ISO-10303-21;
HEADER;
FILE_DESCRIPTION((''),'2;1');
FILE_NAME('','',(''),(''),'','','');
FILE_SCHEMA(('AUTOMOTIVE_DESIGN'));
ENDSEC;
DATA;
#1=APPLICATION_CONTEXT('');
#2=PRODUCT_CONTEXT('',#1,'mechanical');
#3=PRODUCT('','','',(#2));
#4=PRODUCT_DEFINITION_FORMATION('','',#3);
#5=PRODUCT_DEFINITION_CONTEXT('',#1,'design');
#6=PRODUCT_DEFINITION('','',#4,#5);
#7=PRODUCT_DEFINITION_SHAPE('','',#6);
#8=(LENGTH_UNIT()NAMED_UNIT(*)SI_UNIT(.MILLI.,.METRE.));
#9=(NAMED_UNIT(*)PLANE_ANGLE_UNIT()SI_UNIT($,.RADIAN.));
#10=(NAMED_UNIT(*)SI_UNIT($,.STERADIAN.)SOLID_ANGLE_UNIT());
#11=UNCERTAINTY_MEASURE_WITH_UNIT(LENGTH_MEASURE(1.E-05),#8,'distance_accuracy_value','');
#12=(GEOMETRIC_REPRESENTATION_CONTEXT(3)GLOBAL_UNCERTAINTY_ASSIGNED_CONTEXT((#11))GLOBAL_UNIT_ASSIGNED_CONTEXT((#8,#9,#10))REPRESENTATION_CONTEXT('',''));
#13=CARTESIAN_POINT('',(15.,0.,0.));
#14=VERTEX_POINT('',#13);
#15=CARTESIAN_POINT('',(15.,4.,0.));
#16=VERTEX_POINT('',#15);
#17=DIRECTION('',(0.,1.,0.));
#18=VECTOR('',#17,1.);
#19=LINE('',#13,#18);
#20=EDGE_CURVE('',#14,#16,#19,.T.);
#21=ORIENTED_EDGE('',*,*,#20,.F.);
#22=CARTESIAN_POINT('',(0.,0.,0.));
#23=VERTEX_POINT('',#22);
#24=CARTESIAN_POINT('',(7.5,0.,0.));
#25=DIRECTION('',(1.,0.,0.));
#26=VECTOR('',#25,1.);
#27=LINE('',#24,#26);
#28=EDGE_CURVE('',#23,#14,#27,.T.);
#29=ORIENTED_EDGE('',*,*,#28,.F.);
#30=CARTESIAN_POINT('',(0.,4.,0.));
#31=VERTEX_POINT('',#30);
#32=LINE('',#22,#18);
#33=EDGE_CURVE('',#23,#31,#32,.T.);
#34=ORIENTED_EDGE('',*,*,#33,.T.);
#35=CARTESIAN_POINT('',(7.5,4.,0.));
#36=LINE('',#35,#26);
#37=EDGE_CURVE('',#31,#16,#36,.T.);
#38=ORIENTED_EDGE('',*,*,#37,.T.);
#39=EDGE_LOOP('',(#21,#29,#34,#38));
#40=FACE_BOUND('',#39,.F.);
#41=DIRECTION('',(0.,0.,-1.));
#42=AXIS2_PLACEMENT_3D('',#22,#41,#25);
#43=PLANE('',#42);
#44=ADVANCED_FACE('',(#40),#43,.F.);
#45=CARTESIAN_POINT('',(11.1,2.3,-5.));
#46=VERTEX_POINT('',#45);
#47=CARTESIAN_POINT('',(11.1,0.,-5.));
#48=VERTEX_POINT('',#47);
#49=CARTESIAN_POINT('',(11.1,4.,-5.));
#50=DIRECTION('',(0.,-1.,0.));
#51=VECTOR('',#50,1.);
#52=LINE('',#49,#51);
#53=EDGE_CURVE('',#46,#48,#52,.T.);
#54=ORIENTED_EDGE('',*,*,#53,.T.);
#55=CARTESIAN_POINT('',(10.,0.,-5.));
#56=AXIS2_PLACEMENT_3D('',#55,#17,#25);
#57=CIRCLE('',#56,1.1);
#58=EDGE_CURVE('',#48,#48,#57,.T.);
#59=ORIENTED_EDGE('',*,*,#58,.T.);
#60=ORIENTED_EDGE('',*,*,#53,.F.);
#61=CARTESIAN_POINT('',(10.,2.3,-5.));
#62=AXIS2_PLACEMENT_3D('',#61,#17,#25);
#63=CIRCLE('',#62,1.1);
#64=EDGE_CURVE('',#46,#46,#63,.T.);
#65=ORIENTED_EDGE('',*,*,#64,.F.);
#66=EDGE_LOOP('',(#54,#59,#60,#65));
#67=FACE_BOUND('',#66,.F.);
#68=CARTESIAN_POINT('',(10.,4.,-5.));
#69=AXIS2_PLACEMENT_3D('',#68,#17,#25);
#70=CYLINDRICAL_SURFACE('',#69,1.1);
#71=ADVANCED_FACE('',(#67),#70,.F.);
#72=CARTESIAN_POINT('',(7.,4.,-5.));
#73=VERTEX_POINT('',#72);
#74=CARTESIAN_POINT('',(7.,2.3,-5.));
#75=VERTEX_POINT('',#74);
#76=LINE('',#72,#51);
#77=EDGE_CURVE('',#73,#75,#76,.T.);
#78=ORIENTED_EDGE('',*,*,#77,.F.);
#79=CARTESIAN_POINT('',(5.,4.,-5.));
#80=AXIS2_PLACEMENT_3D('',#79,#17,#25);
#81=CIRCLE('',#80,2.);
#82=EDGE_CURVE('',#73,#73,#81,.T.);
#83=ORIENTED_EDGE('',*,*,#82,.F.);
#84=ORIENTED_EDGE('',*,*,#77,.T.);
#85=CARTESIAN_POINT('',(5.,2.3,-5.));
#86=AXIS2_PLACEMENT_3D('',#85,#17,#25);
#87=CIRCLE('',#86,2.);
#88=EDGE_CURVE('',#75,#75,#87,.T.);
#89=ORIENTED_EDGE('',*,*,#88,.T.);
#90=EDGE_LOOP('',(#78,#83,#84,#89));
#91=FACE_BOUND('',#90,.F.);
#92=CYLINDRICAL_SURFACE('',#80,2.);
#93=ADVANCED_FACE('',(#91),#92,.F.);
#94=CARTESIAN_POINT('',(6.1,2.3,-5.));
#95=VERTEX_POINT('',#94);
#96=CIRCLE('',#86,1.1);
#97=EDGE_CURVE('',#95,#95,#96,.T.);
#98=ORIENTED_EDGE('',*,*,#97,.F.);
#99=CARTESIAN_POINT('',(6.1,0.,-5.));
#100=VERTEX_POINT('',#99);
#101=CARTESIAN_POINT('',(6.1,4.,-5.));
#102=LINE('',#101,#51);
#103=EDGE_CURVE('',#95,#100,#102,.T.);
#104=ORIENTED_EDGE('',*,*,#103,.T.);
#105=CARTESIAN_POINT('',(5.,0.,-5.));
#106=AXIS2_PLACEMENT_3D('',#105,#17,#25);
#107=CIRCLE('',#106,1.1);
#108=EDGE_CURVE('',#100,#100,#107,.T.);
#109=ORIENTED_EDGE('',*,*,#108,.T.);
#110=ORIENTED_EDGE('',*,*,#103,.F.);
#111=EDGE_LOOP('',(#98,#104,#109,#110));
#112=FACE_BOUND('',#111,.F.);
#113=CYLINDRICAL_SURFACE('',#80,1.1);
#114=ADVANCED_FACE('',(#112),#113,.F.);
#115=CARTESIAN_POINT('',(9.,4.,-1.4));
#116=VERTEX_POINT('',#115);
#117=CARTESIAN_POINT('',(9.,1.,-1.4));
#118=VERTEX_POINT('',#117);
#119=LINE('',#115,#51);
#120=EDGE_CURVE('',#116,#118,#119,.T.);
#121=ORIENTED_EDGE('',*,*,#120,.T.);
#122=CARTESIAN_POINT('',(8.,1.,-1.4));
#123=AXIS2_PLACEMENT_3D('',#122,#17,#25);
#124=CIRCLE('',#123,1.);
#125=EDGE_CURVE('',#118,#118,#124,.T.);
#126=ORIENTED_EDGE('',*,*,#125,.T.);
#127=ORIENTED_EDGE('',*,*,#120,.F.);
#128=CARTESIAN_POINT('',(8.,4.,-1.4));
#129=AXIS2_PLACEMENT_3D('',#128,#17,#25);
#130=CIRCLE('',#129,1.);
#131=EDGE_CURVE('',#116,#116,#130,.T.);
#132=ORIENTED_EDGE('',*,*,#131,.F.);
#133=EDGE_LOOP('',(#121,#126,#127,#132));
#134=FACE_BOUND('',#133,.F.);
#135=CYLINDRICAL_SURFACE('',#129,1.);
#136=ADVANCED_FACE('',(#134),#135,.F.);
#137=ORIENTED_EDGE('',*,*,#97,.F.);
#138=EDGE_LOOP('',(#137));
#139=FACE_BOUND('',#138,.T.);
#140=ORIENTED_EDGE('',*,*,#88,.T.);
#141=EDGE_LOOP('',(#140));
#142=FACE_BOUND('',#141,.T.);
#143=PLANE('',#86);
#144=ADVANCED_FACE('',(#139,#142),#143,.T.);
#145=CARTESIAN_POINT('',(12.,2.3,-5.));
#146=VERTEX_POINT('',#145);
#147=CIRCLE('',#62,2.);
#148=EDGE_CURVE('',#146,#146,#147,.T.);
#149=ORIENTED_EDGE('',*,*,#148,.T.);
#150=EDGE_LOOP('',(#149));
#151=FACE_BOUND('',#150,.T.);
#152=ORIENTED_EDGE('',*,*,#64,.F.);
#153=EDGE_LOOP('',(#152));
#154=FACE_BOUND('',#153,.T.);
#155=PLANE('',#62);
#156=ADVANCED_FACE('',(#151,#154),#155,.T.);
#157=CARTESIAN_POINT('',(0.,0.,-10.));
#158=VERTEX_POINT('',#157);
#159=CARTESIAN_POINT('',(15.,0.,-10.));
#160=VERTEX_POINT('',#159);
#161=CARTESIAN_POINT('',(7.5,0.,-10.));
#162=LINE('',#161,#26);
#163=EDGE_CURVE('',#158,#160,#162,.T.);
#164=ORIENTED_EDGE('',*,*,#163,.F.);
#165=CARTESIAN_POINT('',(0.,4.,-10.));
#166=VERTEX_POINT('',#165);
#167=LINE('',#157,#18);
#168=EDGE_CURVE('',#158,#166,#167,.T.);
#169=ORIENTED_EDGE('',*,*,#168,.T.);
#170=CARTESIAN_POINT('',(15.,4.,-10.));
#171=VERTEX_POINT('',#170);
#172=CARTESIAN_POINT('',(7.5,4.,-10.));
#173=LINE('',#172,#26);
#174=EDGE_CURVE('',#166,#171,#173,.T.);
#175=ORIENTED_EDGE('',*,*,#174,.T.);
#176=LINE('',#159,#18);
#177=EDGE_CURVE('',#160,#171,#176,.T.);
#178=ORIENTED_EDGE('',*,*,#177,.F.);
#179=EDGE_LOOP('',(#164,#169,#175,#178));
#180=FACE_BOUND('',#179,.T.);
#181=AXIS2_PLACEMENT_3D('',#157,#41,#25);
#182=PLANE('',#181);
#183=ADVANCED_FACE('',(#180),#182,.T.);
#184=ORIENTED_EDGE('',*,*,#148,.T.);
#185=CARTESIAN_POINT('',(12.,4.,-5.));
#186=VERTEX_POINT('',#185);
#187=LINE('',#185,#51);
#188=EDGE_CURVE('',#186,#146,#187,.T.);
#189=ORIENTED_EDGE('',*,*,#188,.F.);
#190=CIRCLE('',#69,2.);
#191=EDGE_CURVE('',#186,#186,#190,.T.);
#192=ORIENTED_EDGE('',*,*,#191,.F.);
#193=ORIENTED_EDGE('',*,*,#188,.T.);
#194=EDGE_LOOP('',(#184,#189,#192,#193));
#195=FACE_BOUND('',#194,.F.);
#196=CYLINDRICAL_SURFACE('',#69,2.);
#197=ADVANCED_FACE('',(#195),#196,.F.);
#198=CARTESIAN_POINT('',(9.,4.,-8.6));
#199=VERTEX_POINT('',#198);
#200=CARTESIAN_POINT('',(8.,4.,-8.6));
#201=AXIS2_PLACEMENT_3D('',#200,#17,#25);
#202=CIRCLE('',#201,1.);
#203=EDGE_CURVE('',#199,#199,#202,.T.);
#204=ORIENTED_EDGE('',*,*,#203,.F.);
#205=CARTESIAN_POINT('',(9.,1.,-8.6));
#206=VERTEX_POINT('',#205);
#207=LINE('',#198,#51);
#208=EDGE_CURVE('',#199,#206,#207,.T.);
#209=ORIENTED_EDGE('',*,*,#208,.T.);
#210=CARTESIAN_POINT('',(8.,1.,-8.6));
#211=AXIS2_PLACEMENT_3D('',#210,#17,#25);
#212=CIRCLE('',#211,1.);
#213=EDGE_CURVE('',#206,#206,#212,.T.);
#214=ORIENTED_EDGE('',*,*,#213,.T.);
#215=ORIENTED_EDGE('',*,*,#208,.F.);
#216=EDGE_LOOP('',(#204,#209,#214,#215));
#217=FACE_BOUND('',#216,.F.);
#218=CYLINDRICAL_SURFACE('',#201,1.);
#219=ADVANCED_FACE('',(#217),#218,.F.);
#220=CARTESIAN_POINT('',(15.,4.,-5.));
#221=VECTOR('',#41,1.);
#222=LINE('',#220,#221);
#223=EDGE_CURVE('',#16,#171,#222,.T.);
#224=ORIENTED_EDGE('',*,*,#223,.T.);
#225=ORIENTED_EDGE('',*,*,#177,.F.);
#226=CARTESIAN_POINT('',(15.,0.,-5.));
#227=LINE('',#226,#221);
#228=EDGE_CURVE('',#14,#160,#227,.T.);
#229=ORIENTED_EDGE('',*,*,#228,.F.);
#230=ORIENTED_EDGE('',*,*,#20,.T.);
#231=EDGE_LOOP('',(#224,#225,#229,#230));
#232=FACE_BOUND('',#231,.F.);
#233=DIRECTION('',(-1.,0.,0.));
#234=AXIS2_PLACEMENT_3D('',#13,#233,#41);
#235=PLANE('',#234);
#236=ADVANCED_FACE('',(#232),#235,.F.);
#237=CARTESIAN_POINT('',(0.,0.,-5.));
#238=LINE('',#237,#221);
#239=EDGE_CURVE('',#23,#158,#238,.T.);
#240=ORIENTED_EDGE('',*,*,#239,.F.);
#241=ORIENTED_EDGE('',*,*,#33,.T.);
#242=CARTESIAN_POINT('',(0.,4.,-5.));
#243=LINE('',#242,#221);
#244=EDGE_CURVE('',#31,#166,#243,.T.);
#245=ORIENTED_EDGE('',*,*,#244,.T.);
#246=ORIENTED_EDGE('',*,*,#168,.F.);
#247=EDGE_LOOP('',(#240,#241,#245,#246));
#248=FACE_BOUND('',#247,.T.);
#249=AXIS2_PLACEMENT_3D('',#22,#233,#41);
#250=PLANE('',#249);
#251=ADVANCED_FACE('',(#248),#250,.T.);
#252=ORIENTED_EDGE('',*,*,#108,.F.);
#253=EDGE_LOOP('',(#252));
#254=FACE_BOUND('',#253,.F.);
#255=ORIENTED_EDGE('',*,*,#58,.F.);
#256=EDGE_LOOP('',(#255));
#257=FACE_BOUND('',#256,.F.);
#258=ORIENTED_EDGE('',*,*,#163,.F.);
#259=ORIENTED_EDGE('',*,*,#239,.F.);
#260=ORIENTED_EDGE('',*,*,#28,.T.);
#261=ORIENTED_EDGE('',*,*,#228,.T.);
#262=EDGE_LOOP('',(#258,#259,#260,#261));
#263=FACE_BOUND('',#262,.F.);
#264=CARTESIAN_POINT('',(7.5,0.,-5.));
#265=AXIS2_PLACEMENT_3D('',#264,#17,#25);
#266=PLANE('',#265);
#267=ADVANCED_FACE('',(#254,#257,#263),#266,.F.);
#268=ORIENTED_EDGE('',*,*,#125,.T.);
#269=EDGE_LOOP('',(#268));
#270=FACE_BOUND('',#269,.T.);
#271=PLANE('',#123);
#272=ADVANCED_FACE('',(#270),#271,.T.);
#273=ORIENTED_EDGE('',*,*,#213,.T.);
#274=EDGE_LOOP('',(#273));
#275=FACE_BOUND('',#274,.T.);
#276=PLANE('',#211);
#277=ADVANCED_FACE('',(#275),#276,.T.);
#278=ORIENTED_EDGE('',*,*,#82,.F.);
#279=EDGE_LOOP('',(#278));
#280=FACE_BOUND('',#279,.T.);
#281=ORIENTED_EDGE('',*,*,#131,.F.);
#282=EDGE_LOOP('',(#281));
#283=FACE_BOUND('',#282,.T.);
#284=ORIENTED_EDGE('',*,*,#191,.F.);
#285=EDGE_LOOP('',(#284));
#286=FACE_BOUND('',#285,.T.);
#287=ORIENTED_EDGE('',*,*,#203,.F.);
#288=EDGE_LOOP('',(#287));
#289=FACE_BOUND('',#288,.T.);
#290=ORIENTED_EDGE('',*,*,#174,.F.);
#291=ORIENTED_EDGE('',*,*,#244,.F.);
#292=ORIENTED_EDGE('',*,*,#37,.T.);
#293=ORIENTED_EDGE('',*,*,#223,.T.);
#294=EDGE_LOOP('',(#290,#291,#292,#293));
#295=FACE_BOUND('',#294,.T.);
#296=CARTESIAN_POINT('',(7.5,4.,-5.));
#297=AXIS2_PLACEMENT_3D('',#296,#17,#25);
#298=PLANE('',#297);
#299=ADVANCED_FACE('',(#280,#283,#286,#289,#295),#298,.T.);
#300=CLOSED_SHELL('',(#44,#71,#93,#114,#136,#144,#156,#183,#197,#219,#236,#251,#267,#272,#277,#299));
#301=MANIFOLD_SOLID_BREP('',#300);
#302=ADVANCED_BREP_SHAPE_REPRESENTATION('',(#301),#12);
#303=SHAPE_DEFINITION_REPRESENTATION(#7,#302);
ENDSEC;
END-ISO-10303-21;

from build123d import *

# Parameters (mm, degrees)
SKETCH_1_W          = 15
SKETCH_1_H          = 10
EXTRUDE_1_DEPTH     = 4
SKETCH_2_R          = 1.1
CUT_EXTRUDE_1_DEPTH = 5
SKETCH_5_R          = 1
CUT_EXTRUDE_4_DEPTH = 3
SKETCH_3_R          = 2
CUT_EXTRUDE_5_DEPTH = 1.7


with BuildPart() as part:
    # 草图1 → 凸台-拉伸1 (new body)
    with BuildSketch(Plane(origin=(0, 0, 0), x_dir=(1, 0, 0), z_dir=(0, 1, 0))):
        with Locations((7.5, 5)):
            Rectangle(SKETCH_1_W, SKETCH_1_H)
    extrude(amount=EXTRUDE_1_DEPTH)

    # 草图2 → 切除-拉伸1 (cut, through all)
    with BuildSketch(Plane(origin=(0, 4, 0), x_dir=(1, 0, 0), z_dir=(0, 1, 0))):
        with Locations((5, 5)):
            Circle(SKETCH_2_R)
        with Locations((10, 5)):
            Circle(SKETCH_2_R)
    extrude(amount=-CUT_EXTRUDE_1_DEPTH, mode=Mode.SUBTRACT)

    # 草图5 → 切除-拉伸4 (cut)
    with BuildSketch(Plane(origin=(0, 4, 0), x_dir=(1, 0, 0), z_dir=(0, 1, 0))):
        with Locations((8, 8.6)):
            Circle(SKETCH_5_R)
        with Locations((8, 1.4)):
            Circle(SKETCH_5_R)
    extrude(amount=-CUT_EXTRUDE_4_DEPTH, mode=Mode.SUBTRACT)

    # 草图3 → 切除-拉伸5 (cut)
    with BuildSketch(Plane(origin=(0, 4, 0), x_dir=(1, 0, 0), z_dir=(0, 1, 0))):
        with Locations((5, 5)):
            Circle(SKETCH_3_R)
        with Locations((10, 5)):
            Circle(SKETCH_3_R)
    extrude(amount=-CUT_EXTRUDE_5_DEPTH, mode=Mode.SUBTRACT)


solid = part.part
